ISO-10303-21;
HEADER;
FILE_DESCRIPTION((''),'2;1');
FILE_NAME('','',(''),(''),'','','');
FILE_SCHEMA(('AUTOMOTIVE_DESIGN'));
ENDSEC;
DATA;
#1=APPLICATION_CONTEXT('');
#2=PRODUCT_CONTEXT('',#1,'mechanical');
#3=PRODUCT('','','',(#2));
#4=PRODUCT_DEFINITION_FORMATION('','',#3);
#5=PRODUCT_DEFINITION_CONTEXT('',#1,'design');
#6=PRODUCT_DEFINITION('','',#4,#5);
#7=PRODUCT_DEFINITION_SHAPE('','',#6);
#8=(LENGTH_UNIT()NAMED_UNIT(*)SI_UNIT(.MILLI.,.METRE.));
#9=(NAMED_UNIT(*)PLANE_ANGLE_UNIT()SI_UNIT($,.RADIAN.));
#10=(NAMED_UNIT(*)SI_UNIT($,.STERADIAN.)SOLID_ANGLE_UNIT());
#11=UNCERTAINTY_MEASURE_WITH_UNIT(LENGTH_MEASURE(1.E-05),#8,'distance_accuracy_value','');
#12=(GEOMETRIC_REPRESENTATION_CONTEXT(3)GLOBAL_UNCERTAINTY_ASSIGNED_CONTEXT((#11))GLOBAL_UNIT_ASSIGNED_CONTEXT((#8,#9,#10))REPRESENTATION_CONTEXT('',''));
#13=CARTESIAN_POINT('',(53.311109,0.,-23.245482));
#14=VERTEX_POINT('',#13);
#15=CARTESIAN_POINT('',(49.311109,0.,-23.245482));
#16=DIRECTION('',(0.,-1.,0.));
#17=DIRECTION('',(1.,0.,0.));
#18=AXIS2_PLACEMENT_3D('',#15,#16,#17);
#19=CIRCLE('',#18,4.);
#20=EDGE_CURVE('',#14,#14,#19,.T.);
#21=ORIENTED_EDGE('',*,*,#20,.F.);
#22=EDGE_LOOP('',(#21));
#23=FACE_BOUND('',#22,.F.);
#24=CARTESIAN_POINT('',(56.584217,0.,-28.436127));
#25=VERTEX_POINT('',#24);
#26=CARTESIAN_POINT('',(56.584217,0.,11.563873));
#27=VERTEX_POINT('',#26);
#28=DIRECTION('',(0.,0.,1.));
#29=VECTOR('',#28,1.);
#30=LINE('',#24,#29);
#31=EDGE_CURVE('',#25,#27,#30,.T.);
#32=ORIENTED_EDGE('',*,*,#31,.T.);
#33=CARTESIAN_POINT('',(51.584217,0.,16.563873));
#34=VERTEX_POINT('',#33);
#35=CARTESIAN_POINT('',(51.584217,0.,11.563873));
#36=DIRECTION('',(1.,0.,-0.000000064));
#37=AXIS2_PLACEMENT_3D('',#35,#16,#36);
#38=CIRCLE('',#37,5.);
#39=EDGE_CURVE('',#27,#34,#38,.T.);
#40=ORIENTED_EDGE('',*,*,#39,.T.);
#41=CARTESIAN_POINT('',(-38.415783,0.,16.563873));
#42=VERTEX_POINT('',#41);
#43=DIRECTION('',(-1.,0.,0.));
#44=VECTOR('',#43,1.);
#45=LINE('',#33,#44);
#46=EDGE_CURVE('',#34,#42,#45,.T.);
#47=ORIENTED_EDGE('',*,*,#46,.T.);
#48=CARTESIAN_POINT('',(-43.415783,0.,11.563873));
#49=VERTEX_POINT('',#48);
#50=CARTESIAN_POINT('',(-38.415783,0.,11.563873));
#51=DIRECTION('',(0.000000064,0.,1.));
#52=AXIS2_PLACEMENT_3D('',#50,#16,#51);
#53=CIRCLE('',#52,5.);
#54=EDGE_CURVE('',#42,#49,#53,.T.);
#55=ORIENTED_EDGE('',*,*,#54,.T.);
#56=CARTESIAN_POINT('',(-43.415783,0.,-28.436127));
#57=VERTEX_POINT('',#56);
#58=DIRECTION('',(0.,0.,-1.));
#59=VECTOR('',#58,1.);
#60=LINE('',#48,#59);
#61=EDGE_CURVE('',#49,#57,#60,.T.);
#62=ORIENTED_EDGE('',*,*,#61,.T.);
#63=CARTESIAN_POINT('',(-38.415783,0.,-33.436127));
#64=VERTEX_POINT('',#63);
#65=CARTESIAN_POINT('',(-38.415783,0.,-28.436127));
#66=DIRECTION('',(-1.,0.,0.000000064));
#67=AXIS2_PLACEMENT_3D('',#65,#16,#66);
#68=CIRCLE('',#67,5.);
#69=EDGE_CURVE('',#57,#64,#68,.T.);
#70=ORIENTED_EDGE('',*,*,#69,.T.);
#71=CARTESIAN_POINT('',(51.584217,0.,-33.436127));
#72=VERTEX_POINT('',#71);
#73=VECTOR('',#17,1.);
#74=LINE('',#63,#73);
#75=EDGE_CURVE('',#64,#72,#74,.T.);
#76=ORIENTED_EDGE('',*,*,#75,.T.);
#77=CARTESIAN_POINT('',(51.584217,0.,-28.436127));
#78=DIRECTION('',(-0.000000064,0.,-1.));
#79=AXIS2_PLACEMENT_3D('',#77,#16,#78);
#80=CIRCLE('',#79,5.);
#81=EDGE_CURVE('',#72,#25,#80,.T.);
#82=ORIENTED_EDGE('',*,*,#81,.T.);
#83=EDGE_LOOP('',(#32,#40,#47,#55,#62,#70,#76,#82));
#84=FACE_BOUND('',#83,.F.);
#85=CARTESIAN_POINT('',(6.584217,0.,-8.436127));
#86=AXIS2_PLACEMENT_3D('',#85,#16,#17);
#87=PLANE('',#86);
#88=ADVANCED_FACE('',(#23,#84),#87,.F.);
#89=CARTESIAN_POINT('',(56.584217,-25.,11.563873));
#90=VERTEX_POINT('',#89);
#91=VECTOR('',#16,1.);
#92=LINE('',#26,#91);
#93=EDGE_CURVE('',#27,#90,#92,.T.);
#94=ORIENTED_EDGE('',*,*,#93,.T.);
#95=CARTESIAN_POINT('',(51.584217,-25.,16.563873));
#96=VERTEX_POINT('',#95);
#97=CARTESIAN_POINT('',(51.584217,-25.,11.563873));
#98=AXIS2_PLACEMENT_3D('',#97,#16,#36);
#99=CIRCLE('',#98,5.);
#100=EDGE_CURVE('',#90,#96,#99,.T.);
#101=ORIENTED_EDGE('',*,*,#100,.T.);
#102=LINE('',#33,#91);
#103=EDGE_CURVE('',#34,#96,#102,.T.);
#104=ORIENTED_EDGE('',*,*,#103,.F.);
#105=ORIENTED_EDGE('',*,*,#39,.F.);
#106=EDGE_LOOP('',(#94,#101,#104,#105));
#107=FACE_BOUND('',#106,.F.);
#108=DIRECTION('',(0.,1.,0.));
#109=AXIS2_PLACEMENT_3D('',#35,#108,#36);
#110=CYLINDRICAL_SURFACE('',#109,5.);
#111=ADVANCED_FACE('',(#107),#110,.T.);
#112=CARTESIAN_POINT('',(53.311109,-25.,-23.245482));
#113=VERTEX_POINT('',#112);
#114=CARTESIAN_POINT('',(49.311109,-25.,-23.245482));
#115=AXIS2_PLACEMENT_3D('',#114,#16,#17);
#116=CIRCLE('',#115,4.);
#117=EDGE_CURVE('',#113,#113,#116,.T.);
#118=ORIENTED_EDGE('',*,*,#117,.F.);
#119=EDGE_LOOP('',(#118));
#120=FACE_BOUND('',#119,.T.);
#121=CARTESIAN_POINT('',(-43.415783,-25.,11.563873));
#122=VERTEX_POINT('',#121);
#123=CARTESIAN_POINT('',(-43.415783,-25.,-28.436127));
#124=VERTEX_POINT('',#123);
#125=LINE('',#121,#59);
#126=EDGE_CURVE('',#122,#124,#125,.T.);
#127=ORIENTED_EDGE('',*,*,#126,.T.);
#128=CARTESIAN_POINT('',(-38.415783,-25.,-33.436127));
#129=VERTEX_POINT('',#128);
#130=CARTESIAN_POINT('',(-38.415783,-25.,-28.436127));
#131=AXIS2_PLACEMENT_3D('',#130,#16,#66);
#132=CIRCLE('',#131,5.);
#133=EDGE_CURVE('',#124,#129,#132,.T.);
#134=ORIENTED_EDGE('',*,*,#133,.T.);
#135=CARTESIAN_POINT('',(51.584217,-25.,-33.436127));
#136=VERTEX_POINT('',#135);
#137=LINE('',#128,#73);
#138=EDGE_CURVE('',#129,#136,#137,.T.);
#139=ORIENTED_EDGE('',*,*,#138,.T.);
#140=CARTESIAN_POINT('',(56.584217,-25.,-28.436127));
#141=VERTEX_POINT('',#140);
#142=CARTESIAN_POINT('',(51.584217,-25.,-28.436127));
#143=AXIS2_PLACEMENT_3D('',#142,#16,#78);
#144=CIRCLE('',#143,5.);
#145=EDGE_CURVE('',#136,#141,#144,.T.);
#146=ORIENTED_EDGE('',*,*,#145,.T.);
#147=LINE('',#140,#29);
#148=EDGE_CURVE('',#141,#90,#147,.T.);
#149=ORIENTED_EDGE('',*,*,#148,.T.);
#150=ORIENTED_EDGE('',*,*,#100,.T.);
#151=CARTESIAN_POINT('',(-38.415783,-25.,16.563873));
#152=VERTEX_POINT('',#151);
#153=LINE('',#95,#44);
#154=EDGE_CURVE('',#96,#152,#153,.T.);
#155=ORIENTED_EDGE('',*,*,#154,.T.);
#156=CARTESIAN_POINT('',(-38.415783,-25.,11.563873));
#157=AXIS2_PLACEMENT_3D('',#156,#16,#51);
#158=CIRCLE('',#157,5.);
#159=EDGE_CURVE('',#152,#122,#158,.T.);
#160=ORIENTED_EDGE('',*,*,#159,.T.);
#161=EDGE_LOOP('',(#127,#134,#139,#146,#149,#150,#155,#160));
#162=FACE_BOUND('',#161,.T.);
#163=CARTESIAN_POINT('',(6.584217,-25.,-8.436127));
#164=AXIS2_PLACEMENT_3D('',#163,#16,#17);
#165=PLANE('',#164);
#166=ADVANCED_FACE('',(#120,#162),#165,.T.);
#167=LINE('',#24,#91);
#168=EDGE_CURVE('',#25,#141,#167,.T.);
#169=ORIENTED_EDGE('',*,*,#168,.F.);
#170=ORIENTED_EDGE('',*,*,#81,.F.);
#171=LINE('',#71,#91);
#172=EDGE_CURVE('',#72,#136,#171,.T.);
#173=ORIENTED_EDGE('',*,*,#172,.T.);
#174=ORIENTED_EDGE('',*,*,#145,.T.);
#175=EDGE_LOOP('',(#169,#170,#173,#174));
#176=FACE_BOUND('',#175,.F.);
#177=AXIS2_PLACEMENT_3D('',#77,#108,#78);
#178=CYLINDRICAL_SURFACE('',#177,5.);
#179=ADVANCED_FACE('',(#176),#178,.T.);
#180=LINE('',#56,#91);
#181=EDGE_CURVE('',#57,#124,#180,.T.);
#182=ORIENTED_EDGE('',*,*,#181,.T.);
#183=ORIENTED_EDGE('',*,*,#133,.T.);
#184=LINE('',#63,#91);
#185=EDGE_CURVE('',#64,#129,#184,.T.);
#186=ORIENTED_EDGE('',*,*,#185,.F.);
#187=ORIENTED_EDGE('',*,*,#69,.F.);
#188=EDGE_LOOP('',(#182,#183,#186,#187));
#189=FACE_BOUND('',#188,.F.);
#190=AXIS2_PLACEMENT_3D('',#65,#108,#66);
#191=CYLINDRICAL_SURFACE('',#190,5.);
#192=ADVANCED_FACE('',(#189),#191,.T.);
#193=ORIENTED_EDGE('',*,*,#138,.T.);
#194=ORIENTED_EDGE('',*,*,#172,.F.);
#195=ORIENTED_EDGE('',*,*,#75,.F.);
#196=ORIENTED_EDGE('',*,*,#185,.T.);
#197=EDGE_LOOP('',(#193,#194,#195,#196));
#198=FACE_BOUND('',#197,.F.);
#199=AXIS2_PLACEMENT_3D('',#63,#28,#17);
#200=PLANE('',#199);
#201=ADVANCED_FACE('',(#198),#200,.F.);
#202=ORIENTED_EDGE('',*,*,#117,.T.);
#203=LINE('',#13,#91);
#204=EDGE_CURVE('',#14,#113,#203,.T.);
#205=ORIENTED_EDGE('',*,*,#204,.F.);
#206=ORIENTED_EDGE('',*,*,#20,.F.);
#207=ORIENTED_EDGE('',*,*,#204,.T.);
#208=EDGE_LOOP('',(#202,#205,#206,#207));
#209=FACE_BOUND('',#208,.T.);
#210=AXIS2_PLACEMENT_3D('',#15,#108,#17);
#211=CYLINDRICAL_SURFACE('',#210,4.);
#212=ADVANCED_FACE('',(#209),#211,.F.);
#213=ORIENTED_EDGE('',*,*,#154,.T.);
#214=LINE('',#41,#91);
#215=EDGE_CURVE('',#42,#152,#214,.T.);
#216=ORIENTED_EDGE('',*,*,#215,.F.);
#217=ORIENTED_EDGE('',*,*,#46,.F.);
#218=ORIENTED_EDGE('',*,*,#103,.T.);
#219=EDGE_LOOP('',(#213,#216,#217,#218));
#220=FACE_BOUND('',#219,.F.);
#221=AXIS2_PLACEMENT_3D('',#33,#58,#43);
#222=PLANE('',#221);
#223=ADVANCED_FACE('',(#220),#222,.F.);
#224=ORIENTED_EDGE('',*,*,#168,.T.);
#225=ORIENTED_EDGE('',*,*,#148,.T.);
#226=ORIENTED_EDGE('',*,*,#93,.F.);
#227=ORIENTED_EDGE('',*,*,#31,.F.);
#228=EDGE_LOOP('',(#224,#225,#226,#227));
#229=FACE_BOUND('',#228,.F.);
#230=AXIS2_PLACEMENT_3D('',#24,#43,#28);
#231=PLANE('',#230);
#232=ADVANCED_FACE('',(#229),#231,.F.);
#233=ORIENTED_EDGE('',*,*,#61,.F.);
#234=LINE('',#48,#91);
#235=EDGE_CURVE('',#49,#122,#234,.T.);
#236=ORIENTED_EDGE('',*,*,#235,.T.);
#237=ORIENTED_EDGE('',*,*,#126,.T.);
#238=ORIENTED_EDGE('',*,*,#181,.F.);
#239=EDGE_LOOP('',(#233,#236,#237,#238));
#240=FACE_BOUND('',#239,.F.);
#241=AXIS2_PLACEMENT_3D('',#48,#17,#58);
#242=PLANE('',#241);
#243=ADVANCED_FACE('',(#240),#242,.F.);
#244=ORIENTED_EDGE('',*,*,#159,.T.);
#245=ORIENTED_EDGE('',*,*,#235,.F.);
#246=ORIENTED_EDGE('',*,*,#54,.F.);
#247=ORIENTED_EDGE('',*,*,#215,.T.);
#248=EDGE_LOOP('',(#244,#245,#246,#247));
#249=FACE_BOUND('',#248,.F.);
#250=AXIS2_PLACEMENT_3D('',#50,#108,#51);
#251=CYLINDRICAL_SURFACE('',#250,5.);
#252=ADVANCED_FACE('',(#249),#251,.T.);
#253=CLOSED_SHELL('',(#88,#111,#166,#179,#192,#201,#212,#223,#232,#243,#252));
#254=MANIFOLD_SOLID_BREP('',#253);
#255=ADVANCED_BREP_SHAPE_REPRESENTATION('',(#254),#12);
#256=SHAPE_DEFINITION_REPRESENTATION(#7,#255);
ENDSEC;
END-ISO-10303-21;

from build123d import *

# Parameters (mm, degrees)
F0_R     = 4
F1_DEPTH = 25


with BuildPart() as f1:
    # F0 (on Front) → F1 (new body)
    with BuildSketch(Plane.XZ):
        with BuildLine():
            Line((51.584217, 16.563873), (-38.415783, 16.563873))
            ThreePointArc((-38.415783, 16.563873), (-41.951317, 15.099407), (-43.415783, 11.563873))
            Line((-43.415783, 11.563873), (-43.415783, -28.436127))
            ThreePointArc((-43.415783, -28.436127), (-41.951317, -31.971661), (-38.415783, -33.436127))
            Line((-38.415783, -33.436127), (51.584217, -33.436127))
            ThreePointArc((51.584217, -33.436127), (55.119751, -31.971661), (56.584217, -28.436127))
            Line((56.584217, -28.436127), (56.584217, 11.563873))
            ThreePointArc((56.584217, 11.563873), (55.119751, 15.099407), (51.584217, 16.563873))
        make_face()
        with Locations((49.311109, -23.245482)):
            Circle(F0_R, mode=Mode.SUBTRACT)
    extrude(amount=F1_DEPTH)


solid = f1.part
